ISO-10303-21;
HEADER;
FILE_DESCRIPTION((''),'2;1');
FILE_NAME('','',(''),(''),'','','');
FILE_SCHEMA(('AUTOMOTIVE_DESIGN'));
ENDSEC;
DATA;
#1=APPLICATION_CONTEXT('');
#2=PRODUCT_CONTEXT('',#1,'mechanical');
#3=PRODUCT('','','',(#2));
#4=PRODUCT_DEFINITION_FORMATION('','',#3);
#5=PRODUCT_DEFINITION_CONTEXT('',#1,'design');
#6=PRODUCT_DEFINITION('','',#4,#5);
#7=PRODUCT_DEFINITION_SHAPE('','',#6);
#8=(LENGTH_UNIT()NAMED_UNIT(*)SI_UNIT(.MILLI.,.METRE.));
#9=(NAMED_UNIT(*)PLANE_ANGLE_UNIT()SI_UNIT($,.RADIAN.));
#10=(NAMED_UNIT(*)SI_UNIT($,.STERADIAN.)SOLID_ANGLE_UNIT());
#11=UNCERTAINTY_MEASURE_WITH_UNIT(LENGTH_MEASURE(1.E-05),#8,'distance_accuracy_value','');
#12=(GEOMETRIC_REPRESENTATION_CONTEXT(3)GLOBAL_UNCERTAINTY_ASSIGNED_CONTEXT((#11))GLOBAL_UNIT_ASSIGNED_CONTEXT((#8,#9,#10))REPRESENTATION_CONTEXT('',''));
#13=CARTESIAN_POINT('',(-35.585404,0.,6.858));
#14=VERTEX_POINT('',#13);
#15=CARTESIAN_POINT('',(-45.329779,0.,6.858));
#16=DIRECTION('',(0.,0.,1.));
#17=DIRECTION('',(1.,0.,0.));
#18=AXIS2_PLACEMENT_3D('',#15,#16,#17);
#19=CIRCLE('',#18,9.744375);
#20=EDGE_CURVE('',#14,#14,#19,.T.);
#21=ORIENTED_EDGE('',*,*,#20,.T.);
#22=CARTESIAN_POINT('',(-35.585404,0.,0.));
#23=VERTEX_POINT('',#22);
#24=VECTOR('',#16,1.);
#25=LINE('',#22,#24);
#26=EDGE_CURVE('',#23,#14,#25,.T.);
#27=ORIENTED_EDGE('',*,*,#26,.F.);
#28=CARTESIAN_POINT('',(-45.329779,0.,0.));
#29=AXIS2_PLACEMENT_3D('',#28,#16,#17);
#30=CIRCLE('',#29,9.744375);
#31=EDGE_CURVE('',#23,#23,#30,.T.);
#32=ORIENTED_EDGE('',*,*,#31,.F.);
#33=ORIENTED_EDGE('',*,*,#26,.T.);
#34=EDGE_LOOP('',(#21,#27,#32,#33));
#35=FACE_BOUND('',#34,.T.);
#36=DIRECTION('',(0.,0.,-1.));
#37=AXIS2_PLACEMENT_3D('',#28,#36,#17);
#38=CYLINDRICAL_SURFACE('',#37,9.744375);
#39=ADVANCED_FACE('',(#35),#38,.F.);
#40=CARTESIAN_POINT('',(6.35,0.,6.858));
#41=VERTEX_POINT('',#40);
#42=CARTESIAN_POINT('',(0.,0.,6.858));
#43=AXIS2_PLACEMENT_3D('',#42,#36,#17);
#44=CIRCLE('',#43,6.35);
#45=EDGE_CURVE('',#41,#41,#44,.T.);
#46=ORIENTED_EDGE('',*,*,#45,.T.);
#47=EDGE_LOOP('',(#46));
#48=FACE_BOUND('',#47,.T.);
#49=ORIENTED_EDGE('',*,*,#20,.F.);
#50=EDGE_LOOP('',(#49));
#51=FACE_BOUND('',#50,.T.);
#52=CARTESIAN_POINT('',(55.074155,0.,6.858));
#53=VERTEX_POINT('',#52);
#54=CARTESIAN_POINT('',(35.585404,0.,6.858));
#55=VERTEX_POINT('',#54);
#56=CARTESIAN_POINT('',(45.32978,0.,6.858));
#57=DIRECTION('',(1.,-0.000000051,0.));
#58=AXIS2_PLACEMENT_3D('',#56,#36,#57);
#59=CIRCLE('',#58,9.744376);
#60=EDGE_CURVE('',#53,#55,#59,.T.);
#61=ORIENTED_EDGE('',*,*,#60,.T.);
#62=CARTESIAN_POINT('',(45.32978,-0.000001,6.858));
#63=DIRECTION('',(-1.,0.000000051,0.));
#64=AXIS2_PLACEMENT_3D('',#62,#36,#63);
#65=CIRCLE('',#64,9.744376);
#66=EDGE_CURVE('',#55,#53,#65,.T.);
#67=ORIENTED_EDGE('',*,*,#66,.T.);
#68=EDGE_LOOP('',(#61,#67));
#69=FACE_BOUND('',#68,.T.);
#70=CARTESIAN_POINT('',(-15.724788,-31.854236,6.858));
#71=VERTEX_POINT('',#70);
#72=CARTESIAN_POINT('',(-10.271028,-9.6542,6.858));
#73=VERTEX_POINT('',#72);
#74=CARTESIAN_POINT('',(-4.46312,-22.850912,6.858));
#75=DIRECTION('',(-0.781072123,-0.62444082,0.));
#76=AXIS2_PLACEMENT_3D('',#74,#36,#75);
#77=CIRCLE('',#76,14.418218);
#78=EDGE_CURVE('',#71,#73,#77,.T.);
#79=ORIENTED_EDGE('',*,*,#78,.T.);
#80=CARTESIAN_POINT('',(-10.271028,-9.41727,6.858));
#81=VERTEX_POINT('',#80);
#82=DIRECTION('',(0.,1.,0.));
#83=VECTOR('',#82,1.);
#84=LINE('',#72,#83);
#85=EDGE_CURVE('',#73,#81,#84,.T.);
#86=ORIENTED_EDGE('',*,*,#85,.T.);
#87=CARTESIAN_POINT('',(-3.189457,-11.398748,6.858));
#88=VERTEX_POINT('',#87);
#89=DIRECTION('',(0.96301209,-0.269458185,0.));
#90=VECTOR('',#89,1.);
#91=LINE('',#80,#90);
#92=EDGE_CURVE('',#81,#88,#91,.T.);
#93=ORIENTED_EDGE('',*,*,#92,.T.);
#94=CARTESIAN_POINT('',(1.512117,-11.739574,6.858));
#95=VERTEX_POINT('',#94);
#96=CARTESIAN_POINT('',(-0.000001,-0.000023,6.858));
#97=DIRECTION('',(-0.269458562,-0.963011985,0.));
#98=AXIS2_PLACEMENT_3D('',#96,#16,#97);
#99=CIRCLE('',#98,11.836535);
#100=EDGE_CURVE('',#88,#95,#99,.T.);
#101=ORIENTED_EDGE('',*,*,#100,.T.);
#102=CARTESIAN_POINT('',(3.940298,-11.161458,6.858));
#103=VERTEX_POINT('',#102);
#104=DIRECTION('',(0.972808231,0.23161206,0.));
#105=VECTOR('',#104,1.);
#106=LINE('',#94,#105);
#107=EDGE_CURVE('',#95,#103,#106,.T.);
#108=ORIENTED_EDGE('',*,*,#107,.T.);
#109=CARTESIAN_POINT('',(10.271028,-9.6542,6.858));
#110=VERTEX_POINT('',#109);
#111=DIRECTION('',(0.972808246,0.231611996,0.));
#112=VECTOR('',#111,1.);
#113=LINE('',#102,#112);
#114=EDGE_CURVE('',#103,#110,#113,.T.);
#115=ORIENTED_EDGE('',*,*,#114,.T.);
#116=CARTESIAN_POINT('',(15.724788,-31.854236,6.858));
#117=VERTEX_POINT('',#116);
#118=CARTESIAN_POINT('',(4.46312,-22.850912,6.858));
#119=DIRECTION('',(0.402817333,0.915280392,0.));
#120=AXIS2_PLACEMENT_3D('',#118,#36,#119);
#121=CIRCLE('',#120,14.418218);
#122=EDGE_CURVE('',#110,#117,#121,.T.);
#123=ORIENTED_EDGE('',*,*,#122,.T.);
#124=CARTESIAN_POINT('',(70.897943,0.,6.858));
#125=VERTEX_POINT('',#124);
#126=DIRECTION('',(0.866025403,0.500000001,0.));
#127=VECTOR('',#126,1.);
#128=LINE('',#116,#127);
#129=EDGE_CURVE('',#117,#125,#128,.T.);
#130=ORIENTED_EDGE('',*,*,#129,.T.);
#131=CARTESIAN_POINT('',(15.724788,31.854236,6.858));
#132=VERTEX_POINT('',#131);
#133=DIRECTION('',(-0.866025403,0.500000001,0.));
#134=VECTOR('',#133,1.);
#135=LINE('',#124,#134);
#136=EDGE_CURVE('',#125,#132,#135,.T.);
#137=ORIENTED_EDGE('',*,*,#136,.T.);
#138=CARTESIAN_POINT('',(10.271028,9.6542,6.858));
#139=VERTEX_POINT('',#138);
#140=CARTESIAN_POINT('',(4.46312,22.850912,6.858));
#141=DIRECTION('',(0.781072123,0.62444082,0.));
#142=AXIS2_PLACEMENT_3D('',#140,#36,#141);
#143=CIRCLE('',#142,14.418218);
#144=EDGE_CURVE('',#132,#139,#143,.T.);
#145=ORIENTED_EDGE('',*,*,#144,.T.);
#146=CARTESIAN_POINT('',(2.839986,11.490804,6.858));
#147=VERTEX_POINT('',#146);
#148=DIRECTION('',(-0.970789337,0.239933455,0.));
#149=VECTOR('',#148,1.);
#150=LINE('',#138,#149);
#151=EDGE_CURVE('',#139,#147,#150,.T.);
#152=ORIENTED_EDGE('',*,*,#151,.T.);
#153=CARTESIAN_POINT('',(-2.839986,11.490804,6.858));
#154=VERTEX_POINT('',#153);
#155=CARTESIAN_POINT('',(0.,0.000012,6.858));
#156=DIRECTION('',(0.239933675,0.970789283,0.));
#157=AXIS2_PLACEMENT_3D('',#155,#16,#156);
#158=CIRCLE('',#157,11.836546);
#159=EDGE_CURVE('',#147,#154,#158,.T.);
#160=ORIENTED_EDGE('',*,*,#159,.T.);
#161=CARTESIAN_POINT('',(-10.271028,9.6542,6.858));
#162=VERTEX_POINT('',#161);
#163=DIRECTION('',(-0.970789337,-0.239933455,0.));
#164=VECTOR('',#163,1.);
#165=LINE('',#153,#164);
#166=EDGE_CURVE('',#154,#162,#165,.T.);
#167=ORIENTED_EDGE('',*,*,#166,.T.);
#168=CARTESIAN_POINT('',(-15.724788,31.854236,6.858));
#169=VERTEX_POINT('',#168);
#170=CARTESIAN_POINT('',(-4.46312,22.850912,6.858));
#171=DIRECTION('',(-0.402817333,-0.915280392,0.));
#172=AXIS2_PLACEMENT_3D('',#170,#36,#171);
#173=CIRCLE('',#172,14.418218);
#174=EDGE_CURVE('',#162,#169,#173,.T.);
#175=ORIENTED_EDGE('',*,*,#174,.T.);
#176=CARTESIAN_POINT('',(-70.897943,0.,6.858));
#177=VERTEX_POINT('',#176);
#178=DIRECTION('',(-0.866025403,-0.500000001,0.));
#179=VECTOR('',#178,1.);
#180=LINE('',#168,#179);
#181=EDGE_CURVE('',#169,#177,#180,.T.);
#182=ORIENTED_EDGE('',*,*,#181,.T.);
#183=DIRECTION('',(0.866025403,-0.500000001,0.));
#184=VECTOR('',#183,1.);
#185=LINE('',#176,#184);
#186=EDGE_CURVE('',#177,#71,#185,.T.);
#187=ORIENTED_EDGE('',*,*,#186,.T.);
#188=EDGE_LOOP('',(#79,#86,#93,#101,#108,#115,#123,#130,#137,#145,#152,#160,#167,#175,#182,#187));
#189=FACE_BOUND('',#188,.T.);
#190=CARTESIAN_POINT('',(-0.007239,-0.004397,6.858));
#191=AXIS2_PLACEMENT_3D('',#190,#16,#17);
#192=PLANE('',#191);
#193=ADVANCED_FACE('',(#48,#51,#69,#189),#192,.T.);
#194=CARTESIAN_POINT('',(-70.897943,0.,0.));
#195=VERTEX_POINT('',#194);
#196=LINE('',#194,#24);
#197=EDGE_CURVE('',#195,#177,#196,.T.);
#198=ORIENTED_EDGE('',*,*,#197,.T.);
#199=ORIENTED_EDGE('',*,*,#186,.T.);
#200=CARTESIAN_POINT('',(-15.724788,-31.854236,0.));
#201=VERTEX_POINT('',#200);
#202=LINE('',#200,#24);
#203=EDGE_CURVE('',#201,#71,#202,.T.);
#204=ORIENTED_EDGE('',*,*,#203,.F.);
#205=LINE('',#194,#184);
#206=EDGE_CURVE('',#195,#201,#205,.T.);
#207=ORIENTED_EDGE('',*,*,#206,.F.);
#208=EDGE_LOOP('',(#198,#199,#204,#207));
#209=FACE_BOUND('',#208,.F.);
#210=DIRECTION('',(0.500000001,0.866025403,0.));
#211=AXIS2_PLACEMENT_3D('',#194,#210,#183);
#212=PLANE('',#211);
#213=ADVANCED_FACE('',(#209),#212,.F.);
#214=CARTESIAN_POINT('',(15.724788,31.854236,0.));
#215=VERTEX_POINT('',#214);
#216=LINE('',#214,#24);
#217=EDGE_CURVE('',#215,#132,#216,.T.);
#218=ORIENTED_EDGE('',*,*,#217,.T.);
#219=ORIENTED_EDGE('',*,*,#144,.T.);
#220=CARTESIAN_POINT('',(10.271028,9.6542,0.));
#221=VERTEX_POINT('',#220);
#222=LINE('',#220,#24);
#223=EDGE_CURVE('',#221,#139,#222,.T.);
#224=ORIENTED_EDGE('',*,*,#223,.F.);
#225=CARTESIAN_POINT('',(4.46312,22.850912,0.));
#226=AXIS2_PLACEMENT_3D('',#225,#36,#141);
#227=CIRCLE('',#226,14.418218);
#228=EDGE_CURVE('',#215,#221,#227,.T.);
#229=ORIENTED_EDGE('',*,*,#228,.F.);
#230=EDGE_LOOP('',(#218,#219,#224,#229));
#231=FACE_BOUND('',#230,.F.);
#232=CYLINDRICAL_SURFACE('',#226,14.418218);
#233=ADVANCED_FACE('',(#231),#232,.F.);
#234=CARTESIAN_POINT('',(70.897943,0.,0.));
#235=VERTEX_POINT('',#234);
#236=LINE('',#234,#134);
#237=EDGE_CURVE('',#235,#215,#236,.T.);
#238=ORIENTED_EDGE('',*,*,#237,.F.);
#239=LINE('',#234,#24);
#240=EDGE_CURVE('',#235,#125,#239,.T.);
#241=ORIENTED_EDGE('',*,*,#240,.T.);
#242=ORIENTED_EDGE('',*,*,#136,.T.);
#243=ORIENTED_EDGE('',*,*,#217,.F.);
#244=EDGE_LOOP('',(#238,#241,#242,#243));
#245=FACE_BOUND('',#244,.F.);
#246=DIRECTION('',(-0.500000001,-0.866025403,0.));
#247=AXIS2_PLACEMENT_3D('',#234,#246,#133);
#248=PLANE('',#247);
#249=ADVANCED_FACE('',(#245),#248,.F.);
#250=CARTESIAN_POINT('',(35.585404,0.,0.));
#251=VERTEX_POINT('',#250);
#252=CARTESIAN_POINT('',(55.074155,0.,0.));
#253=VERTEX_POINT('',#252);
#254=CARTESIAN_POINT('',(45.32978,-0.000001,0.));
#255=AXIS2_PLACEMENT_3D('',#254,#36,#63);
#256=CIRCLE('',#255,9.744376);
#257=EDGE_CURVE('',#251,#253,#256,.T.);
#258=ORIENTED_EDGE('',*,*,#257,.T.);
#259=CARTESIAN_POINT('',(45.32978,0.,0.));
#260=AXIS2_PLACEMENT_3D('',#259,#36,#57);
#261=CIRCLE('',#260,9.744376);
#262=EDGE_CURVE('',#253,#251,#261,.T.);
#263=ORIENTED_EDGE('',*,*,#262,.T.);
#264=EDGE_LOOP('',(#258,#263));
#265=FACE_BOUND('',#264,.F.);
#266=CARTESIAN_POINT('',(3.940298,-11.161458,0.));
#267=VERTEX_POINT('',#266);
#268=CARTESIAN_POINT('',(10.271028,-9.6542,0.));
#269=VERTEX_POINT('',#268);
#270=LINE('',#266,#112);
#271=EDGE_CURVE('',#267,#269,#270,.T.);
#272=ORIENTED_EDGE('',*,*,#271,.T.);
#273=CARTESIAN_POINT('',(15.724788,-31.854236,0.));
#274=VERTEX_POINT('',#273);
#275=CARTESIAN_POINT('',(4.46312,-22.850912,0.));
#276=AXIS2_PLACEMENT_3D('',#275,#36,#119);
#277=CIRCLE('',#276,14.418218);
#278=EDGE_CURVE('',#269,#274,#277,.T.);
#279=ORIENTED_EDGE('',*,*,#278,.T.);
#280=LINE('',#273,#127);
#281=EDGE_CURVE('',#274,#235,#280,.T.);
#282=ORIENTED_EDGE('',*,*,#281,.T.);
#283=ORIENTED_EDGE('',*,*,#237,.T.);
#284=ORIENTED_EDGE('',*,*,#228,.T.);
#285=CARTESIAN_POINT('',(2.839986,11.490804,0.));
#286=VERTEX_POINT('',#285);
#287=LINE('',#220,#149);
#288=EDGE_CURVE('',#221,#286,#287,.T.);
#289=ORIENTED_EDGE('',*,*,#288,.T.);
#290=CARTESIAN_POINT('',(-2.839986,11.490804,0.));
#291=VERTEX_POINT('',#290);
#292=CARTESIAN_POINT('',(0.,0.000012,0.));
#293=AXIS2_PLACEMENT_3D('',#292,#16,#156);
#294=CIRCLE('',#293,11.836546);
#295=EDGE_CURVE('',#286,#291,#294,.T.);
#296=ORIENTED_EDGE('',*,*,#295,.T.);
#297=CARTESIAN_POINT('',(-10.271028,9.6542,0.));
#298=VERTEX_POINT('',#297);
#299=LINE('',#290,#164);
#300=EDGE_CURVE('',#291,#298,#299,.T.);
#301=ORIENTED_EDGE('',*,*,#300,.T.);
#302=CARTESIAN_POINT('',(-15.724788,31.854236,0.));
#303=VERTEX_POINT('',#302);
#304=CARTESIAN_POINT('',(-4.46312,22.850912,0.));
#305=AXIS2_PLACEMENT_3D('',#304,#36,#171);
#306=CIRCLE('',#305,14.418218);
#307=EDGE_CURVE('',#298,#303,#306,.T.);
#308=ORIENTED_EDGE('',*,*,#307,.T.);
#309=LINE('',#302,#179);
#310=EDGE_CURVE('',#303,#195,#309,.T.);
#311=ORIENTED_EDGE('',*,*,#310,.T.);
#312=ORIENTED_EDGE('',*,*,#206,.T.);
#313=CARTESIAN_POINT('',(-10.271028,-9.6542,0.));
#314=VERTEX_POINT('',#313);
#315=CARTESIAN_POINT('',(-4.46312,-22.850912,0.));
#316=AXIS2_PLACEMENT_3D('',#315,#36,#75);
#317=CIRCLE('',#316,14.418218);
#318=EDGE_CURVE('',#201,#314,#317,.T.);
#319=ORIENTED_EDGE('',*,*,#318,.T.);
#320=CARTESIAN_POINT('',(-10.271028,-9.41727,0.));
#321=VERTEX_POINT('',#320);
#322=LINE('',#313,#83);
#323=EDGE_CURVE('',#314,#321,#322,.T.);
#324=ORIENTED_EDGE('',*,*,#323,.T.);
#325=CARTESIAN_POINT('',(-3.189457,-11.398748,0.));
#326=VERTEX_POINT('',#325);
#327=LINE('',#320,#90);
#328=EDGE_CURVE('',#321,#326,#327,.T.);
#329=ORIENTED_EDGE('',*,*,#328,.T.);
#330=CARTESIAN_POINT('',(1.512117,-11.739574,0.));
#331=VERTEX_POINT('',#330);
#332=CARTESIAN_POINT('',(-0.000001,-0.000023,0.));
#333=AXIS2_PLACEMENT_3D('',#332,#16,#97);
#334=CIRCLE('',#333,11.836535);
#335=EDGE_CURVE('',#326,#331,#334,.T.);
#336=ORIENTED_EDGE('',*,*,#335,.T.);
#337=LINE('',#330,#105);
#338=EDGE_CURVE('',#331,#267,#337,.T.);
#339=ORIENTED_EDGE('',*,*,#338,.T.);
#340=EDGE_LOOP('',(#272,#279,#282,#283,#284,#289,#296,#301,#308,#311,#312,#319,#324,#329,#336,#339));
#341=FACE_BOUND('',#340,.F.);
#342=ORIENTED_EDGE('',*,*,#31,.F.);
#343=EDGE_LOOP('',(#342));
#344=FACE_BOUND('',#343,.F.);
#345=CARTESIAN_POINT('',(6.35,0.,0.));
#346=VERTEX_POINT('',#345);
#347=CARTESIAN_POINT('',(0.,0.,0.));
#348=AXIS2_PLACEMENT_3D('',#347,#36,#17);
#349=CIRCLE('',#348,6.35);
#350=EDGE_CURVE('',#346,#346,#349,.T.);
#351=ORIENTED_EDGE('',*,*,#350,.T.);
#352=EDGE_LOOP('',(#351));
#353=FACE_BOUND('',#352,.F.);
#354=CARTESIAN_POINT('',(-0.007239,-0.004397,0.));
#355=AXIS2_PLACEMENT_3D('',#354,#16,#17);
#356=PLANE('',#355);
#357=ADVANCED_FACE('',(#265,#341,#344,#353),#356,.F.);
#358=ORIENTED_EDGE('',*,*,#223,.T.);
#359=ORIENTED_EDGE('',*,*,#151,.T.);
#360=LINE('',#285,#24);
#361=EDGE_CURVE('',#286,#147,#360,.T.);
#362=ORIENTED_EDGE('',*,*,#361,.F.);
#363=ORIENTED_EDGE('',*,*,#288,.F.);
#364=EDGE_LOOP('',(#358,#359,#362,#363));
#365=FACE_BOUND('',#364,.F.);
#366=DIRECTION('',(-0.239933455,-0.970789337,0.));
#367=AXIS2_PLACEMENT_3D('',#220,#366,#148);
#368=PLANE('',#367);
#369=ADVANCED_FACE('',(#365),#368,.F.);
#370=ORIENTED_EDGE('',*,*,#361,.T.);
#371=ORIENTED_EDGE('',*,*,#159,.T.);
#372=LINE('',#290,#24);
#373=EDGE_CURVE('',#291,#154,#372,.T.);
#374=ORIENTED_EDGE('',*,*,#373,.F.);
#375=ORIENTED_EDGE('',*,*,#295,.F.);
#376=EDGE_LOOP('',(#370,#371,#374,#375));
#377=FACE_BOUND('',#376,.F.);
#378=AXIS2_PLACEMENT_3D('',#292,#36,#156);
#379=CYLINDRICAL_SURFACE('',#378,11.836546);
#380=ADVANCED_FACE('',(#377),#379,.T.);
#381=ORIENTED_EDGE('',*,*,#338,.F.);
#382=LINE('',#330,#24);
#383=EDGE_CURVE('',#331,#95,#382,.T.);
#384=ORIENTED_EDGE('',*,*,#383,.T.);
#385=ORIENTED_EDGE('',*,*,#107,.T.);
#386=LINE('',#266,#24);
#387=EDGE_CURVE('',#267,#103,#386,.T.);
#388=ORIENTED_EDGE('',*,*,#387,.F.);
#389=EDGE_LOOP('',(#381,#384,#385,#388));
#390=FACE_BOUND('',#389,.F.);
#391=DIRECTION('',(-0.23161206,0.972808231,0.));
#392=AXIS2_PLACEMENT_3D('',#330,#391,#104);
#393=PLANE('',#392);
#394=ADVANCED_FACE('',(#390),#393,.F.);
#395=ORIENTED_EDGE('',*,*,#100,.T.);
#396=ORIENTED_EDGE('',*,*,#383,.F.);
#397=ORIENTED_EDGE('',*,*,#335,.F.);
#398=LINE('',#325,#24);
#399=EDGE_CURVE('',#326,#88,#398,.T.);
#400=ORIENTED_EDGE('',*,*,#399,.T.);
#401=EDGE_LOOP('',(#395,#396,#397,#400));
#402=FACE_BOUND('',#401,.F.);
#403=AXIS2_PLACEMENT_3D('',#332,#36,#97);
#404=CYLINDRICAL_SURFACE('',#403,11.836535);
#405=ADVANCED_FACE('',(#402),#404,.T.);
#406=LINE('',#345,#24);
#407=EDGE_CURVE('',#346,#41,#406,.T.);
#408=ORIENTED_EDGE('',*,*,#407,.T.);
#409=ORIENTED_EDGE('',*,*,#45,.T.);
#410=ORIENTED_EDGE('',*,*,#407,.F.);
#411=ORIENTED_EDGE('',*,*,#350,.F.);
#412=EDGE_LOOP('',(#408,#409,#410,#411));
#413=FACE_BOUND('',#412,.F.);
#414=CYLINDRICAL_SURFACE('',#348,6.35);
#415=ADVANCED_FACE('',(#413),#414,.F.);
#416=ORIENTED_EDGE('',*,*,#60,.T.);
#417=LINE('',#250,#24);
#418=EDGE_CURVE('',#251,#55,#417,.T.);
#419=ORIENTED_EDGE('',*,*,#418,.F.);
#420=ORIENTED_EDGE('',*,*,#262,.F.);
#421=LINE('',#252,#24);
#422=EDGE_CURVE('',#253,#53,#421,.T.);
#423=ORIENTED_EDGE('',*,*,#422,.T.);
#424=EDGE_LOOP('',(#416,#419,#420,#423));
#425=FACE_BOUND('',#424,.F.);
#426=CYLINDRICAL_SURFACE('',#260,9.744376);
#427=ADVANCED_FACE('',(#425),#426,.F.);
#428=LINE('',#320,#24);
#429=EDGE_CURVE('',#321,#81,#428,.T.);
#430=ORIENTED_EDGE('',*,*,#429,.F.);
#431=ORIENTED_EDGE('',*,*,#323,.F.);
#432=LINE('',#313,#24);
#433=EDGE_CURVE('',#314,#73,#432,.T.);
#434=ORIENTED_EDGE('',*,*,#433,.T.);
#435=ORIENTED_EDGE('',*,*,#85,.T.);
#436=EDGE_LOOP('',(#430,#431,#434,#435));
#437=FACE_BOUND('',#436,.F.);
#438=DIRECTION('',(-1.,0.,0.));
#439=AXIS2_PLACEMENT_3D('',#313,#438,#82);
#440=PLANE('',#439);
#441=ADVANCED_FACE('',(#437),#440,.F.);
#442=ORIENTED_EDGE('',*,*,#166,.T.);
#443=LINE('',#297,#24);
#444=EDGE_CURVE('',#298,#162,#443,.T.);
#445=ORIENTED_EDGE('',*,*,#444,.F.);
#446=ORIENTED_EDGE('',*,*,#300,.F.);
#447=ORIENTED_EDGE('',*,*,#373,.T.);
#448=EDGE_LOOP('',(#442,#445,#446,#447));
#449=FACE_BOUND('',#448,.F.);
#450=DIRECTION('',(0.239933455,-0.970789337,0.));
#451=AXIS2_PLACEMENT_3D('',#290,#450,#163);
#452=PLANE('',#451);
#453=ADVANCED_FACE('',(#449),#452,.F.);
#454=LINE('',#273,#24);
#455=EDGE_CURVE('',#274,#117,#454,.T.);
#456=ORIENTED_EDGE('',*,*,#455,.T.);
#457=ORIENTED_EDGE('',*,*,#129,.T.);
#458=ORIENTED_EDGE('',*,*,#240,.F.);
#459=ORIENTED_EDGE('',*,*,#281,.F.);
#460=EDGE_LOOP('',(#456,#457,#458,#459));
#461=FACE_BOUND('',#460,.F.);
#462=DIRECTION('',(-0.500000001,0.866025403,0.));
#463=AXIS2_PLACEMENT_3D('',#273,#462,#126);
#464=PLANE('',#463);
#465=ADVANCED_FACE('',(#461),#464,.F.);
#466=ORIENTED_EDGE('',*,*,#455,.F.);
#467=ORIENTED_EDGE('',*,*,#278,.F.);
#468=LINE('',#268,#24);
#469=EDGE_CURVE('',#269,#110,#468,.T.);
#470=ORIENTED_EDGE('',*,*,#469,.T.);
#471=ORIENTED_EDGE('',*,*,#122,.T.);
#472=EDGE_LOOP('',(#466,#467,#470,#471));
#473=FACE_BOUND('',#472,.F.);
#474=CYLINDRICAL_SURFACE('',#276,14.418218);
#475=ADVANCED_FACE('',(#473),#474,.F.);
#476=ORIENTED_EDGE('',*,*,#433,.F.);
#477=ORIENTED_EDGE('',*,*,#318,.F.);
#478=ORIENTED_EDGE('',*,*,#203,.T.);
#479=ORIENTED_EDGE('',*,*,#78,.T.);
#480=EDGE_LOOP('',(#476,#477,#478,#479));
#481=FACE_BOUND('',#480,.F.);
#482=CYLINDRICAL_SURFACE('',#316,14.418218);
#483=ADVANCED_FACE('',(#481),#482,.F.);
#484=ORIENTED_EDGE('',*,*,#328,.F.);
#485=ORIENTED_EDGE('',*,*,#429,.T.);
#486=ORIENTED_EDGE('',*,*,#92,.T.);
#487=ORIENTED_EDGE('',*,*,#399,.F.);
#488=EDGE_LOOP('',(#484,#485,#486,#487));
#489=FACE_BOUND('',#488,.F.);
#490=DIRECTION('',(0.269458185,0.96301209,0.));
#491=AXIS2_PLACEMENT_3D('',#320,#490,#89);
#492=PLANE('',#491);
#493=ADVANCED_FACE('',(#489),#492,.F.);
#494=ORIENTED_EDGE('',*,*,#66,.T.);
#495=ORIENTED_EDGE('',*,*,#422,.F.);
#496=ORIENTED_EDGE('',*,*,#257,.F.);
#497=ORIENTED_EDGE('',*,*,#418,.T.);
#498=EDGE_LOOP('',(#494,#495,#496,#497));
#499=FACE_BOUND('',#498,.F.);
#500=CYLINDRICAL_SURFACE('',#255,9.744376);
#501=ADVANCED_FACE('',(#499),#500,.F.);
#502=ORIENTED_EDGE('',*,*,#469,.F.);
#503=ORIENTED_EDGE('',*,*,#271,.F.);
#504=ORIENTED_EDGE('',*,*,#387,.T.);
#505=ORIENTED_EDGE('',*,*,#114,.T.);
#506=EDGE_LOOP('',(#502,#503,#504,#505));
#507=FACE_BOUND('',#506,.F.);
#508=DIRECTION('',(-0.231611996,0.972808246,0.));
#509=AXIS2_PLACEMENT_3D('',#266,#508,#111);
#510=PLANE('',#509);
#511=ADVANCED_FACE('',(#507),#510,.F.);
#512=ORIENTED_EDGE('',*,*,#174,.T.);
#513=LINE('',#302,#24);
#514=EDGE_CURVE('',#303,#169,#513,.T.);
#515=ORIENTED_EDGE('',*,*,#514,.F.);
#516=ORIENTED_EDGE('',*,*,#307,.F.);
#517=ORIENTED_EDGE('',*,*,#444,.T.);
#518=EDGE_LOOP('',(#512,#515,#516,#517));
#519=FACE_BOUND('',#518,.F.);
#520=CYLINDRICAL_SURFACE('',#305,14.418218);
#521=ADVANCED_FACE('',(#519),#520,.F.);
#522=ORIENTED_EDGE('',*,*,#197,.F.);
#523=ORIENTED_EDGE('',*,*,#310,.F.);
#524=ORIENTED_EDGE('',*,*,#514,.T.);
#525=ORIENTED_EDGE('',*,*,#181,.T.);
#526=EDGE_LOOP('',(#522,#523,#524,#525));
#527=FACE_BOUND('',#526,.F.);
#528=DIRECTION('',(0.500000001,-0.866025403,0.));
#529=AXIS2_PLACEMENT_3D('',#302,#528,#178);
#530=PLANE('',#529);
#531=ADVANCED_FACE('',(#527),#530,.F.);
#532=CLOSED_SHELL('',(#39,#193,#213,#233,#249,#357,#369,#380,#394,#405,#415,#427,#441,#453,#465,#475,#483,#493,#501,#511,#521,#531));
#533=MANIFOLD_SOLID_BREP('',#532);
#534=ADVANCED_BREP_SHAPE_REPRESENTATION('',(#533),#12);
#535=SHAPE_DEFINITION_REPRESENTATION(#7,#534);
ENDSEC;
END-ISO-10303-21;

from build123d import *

# Parameters (mm, degrees)
F0_R     = 9.744375
F1_DEPTH = 6.858


with BuildPart() as f1:
    # F0 (on Top) → F1 (new body)
    with BuildSketch(Plane.XY):
        with BuildLine():
            Line((-10.271028, -9.6542), (-10.271028, -9.41727))
            Line((-10.271028, -9.41727), (-3.189457, -11.398748))
            ThreePointArc((-3.189457, -11.398748), (-0.855809, -11.805579), (1.512117, -11.739574))
            Line((1.512117, -11.739574), (3.940298, -11.161458))
            Line((3.940298, -11.161458), (10.271028, -9.6542))
            ThreePointArc((10.271028, -9.6542), (18.465013, -19.411145), (15.724788, -31.854236))
            Line((15.724788, -31.854236), (70.897943, 0))
            Line((70.897943, 0), (15.724788, 31.854236))
            ThreePointArc((15.724788, 31.854236), (18.465013, 19.411145), (10.271028, 9.6542))
            Line((10.271028, 9.6542), (2.839986, 11.490804))
            ThreePointArc((2.839986, 11.490804), (0, 11.836558), (-2.839986, 11.490804))
            Line((-2.839986, 11.490804), (-10.271028, 9.6542))
            ThreePointArc((-10.271028, 9.6542), (-18.465013, 19.411145), (-15.724788, 31.854236))
            Line((-15.724788, 31.854236), (-70.897943, 0))
            Line((-70.897943, 0), (-15.724788, -31.854236))
            ThreePointArc((-15.724788, -31.854236), (-18.465013, -19.411145), (-10.271028, -9.6542))
        make_face()
        with Locations((-45.329779, 0)):
            Circle(F0_R, mode=Mode.SUBTRACT)
        with BuildLine():
            ThreePointArc((-6.35, 0), (0, 6.35), (6.35, 0))
            ThreePointArc((6.35, 0), (0, -6.35), (-6.35, 0))
        make_face(mode=Mode.SUBTRACT)
        with BuildLine():
            ThreePointArc((55.074155, 0), (45.329779, -9.744375), (35.585404, 0))
            ThreePointArc((35.585404, 0), (45.329779, 9.744375), (55.074155, 0))
        make_face(mode=Mode.SUBTRACT)
    extrude(amount=F1_DEPTH)


solid = f1.part
